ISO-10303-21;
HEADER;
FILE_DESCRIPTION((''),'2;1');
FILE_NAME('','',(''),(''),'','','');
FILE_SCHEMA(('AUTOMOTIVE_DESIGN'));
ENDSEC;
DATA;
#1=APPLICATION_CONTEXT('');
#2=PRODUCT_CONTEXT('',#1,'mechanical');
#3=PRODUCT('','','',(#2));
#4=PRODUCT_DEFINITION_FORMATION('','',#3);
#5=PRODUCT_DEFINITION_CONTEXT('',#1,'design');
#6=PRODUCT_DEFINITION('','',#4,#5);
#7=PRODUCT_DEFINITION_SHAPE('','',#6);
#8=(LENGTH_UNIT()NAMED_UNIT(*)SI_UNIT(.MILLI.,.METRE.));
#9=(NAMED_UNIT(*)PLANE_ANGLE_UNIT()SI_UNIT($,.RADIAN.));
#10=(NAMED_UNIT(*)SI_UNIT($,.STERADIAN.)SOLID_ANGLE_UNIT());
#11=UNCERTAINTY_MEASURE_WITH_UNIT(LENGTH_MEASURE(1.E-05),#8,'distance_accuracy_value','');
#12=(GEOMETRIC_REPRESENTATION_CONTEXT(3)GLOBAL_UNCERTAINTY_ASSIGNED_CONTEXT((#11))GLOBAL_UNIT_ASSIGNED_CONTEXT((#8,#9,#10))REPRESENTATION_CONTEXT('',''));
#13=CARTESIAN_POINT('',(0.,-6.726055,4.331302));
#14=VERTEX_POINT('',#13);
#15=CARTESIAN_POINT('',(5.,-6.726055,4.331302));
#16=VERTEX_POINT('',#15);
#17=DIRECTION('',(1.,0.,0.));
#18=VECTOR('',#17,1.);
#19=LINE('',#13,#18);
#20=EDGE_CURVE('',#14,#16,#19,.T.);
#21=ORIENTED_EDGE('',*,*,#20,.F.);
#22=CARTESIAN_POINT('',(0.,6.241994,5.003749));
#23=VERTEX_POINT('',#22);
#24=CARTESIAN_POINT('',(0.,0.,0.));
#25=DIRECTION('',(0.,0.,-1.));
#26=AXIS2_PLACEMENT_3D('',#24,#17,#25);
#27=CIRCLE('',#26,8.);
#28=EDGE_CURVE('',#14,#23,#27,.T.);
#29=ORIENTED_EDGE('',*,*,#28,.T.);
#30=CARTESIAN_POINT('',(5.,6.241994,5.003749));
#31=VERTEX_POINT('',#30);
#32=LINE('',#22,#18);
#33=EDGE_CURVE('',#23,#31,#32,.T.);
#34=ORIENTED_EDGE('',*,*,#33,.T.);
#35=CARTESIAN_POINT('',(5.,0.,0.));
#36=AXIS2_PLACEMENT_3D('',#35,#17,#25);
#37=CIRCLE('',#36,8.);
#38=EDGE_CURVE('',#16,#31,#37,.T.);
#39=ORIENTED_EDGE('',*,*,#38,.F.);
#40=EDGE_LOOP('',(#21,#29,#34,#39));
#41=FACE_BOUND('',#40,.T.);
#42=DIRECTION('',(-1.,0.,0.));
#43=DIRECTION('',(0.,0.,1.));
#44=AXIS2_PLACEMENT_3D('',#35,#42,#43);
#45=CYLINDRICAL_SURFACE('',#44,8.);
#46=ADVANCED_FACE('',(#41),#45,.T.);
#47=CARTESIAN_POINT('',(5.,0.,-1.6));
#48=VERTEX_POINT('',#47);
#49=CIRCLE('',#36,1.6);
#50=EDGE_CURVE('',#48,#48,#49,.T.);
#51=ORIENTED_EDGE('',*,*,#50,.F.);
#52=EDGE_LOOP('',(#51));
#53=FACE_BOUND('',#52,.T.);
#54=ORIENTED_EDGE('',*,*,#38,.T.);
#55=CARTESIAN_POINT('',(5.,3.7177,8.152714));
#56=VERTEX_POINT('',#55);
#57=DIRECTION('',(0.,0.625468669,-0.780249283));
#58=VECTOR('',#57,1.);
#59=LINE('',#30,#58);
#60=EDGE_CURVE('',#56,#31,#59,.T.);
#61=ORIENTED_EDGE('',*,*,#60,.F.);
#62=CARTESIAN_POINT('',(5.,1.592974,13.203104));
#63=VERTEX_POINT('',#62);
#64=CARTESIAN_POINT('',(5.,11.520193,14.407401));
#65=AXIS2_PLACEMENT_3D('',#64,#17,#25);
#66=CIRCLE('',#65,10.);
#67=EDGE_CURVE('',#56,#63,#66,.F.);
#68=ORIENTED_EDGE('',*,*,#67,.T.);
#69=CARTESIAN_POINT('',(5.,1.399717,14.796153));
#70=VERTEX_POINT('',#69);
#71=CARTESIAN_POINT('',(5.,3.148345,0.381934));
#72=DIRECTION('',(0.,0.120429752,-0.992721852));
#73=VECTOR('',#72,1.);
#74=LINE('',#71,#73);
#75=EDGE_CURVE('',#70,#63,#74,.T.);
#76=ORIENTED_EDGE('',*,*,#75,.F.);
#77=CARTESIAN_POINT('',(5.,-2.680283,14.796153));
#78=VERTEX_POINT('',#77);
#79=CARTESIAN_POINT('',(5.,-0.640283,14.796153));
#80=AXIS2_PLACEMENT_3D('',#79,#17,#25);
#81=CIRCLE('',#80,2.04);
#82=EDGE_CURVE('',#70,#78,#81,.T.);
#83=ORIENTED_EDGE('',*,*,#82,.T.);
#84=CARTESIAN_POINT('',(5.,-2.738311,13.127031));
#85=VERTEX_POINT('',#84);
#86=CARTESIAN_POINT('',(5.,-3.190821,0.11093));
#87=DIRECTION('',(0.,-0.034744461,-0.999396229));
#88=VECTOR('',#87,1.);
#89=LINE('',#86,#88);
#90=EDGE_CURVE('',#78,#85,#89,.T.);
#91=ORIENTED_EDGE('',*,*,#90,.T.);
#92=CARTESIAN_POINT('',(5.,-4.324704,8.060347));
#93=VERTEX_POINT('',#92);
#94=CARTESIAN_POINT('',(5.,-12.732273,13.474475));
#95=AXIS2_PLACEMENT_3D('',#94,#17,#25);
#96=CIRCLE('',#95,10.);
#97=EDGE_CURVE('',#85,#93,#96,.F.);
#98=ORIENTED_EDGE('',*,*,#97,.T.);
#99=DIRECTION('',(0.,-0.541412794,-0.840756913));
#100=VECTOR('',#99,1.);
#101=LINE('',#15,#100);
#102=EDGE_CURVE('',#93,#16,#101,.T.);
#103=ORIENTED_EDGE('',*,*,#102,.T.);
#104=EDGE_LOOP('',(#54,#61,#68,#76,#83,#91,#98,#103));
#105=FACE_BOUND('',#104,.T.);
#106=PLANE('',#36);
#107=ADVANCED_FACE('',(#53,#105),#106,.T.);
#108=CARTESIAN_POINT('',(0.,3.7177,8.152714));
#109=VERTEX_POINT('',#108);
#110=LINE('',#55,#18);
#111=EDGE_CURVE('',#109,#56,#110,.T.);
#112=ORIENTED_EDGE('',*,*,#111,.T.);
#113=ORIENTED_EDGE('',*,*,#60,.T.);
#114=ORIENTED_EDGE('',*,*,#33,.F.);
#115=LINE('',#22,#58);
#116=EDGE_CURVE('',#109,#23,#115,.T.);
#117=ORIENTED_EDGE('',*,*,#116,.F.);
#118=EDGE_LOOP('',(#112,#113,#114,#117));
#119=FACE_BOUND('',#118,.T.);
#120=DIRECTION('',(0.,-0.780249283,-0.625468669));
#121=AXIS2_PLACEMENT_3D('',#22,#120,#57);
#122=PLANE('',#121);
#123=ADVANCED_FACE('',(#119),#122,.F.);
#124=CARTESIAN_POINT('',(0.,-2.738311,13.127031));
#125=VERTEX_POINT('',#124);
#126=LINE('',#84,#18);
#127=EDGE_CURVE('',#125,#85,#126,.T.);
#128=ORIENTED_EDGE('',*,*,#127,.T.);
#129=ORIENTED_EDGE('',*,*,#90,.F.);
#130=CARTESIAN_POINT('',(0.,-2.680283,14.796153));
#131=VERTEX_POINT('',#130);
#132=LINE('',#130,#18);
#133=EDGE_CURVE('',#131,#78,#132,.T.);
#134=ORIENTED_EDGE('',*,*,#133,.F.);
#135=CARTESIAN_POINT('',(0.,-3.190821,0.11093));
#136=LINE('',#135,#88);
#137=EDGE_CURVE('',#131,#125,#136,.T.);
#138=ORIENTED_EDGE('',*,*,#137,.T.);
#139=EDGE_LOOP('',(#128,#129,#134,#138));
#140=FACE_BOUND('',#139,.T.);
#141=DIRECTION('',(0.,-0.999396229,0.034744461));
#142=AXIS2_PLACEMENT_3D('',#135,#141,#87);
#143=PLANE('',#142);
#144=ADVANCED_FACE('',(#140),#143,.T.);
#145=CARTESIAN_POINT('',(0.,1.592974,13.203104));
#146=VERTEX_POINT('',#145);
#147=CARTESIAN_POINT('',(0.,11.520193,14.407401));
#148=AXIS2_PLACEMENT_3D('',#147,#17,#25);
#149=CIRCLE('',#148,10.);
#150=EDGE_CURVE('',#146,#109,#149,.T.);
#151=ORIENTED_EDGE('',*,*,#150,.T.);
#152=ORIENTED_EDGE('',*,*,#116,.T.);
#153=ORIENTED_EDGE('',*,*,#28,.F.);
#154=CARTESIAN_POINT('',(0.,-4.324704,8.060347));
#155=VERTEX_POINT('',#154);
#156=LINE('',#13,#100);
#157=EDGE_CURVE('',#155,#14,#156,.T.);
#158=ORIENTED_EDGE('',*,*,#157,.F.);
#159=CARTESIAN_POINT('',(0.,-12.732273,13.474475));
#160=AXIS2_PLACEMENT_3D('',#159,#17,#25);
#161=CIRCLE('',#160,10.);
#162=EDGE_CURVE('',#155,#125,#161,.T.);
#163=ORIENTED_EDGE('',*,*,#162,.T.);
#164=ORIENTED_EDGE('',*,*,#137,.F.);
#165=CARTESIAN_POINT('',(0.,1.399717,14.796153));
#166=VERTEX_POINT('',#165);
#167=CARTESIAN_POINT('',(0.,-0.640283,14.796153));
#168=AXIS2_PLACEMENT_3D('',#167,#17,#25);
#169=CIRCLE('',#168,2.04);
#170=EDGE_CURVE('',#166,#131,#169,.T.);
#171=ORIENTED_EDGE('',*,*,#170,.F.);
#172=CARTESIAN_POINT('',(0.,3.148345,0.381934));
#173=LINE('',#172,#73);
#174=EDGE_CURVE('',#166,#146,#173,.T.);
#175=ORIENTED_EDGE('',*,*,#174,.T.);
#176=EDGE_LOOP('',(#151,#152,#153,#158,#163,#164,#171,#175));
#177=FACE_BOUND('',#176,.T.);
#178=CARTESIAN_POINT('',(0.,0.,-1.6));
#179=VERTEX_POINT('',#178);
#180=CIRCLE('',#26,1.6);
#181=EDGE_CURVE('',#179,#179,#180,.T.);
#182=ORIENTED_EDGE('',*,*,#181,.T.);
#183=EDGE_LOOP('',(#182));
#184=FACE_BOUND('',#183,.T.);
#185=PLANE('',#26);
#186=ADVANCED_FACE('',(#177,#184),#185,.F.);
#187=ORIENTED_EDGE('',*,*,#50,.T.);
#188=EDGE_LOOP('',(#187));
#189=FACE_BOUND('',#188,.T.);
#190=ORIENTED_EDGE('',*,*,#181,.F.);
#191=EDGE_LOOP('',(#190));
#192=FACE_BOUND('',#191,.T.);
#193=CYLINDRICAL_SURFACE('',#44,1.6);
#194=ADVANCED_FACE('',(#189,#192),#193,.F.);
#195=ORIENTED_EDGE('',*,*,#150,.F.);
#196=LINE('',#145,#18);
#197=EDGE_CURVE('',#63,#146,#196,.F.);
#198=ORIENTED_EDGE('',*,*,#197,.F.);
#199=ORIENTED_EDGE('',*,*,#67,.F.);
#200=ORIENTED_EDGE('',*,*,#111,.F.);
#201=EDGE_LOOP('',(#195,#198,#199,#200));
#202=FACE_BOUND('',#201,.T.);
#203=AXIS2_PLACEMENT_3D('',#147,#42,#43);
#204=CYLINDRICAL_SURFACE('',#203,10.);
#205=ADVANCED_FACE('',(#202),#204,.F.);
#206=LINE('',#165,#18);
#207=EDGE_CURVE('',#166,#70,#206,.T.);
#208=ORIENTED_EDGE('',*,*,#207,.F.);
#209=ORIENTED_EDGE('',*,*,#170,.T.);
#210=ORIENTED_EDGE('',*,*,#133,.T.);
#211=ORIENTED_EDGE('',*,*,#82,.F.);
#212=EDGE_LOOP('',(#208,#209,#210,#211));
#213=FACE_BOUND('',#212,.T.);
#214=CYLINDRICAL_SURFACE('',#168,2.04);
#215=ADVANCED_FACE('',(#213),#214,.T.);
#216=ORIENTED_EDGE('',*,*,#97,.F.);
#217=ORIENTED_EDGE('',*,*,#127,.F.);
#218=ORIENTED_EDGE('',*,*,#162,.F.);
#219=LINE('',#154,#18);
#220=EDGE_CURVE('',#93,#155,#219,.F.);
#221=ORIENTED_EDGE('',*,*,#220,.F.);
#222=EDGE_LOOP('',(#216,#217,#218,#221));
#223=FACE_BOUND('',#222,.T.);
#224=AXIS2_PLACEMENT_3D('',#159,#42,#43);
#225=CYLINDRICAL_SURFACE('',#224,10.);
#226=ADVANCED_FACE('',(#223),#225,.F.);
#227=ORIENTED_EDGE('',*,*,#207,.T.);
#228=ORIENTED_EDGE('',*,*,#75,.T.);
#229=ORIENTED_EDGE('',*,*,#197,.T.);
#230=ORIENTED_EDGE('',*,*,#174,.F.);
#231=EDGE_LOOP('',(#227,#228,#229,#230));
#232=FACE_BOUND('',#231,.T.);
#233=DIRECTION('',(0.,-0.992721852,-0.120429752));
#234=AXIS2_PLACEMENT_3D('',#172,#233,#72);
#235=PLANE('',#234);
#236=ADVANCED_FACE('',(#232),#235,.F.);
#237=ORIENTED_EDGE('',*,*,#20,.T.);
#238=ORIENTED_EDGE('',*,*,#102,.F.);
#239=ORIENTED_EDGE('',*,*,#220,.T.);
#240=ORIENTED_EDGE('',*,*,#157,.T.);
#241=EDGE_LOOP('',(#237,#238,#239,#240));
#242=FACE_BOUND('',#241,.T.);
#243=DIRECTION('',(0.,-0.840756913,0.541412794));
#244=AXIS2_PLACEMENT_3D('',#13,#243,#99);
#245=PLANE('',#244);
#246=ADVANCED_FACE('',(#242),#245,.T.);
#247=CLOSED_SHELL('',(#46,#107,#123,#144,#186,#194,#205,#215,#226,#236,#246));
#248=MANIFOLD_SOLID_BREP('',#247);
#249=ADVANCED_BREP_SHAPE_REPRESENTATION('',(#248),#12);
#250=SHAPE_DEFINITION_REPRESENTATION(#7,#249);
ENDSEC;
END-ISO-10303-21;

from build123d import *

# Parameters (mm, degrees)
SKETCH2_R           = 8
SKETCH2_R_2         = 1.6
BOSS_EXTRUDE1_DEPTH = 5
BOSS_EXTRUDE2_START = -5
BOSS_EXTRUDE2_DEPTH = 5
FILLET1_R           = 10
FILLET2_R           = 10


with BuildPart() as part:
    # Sketch2 → Boss-Extrude1 (new body)
    with BuildSketch(Plane(origin=(0, 0, 0), x_dir=(0, 0, -1), z_dir=(1, 0, 0))):
        Circle(SKETCH2_R)
        Circle(SKETCH2_R_2, mode=Mode.SUBTRACT)
    extrude(amount=BOSS_EXTRUDE1_DEPTH)

    # Sketch3 → Boss-Extrude2 (add)
    with BuildSketch(Plane(origin=(5, 0, 0), x_dir=(0, 0, -1), z_dir=(1, 0, 0)).offset(BOSS_EXTRUDE2_START)):
        with BuildLine():
            Line((-10.375290129, -2.83397632), (-4.331302353, -6.726055302))
            ThreePointArc((-4.331302353, -6.726055302), (-7.989266236, -0.414276496), (-5.003749355, 6.241994264))
            Line((-5.003749355, 6.241994264), (-10.375290129, 1.93602368))
            Line((-10.375290129, 1.93602368), (-14.796152799, 1.399716967))
            ThreePointArc((-14.796152799, 1.399716967), (-16.836152799, -0.640283033), (-14.796152799, -2.680283033))
            Line((-14.796152799, -2.680283033), (-10.375290129, -2.83397632))
        make_face()
    extrude(amount=BOSS_EXTRUDE2_DEPTH)

    # Fillet1
    fillet1_edges = [part.edges().sort_by_distance(p)[0] for p in [
        (2.5, 1.93602368, 10.375290129),
    ]]
    fillet(fillet1_edges, radius=FILLET1_R)

    # Fillet2
    fillet2_edges = [part.edges().sort_by_distance(p)[0] for p in [
        (2.5, -2.83397632, 10.375290129),
    ]]
    fillet(fillet2_edges, radius=FILLET2_R)


solid = part.part
